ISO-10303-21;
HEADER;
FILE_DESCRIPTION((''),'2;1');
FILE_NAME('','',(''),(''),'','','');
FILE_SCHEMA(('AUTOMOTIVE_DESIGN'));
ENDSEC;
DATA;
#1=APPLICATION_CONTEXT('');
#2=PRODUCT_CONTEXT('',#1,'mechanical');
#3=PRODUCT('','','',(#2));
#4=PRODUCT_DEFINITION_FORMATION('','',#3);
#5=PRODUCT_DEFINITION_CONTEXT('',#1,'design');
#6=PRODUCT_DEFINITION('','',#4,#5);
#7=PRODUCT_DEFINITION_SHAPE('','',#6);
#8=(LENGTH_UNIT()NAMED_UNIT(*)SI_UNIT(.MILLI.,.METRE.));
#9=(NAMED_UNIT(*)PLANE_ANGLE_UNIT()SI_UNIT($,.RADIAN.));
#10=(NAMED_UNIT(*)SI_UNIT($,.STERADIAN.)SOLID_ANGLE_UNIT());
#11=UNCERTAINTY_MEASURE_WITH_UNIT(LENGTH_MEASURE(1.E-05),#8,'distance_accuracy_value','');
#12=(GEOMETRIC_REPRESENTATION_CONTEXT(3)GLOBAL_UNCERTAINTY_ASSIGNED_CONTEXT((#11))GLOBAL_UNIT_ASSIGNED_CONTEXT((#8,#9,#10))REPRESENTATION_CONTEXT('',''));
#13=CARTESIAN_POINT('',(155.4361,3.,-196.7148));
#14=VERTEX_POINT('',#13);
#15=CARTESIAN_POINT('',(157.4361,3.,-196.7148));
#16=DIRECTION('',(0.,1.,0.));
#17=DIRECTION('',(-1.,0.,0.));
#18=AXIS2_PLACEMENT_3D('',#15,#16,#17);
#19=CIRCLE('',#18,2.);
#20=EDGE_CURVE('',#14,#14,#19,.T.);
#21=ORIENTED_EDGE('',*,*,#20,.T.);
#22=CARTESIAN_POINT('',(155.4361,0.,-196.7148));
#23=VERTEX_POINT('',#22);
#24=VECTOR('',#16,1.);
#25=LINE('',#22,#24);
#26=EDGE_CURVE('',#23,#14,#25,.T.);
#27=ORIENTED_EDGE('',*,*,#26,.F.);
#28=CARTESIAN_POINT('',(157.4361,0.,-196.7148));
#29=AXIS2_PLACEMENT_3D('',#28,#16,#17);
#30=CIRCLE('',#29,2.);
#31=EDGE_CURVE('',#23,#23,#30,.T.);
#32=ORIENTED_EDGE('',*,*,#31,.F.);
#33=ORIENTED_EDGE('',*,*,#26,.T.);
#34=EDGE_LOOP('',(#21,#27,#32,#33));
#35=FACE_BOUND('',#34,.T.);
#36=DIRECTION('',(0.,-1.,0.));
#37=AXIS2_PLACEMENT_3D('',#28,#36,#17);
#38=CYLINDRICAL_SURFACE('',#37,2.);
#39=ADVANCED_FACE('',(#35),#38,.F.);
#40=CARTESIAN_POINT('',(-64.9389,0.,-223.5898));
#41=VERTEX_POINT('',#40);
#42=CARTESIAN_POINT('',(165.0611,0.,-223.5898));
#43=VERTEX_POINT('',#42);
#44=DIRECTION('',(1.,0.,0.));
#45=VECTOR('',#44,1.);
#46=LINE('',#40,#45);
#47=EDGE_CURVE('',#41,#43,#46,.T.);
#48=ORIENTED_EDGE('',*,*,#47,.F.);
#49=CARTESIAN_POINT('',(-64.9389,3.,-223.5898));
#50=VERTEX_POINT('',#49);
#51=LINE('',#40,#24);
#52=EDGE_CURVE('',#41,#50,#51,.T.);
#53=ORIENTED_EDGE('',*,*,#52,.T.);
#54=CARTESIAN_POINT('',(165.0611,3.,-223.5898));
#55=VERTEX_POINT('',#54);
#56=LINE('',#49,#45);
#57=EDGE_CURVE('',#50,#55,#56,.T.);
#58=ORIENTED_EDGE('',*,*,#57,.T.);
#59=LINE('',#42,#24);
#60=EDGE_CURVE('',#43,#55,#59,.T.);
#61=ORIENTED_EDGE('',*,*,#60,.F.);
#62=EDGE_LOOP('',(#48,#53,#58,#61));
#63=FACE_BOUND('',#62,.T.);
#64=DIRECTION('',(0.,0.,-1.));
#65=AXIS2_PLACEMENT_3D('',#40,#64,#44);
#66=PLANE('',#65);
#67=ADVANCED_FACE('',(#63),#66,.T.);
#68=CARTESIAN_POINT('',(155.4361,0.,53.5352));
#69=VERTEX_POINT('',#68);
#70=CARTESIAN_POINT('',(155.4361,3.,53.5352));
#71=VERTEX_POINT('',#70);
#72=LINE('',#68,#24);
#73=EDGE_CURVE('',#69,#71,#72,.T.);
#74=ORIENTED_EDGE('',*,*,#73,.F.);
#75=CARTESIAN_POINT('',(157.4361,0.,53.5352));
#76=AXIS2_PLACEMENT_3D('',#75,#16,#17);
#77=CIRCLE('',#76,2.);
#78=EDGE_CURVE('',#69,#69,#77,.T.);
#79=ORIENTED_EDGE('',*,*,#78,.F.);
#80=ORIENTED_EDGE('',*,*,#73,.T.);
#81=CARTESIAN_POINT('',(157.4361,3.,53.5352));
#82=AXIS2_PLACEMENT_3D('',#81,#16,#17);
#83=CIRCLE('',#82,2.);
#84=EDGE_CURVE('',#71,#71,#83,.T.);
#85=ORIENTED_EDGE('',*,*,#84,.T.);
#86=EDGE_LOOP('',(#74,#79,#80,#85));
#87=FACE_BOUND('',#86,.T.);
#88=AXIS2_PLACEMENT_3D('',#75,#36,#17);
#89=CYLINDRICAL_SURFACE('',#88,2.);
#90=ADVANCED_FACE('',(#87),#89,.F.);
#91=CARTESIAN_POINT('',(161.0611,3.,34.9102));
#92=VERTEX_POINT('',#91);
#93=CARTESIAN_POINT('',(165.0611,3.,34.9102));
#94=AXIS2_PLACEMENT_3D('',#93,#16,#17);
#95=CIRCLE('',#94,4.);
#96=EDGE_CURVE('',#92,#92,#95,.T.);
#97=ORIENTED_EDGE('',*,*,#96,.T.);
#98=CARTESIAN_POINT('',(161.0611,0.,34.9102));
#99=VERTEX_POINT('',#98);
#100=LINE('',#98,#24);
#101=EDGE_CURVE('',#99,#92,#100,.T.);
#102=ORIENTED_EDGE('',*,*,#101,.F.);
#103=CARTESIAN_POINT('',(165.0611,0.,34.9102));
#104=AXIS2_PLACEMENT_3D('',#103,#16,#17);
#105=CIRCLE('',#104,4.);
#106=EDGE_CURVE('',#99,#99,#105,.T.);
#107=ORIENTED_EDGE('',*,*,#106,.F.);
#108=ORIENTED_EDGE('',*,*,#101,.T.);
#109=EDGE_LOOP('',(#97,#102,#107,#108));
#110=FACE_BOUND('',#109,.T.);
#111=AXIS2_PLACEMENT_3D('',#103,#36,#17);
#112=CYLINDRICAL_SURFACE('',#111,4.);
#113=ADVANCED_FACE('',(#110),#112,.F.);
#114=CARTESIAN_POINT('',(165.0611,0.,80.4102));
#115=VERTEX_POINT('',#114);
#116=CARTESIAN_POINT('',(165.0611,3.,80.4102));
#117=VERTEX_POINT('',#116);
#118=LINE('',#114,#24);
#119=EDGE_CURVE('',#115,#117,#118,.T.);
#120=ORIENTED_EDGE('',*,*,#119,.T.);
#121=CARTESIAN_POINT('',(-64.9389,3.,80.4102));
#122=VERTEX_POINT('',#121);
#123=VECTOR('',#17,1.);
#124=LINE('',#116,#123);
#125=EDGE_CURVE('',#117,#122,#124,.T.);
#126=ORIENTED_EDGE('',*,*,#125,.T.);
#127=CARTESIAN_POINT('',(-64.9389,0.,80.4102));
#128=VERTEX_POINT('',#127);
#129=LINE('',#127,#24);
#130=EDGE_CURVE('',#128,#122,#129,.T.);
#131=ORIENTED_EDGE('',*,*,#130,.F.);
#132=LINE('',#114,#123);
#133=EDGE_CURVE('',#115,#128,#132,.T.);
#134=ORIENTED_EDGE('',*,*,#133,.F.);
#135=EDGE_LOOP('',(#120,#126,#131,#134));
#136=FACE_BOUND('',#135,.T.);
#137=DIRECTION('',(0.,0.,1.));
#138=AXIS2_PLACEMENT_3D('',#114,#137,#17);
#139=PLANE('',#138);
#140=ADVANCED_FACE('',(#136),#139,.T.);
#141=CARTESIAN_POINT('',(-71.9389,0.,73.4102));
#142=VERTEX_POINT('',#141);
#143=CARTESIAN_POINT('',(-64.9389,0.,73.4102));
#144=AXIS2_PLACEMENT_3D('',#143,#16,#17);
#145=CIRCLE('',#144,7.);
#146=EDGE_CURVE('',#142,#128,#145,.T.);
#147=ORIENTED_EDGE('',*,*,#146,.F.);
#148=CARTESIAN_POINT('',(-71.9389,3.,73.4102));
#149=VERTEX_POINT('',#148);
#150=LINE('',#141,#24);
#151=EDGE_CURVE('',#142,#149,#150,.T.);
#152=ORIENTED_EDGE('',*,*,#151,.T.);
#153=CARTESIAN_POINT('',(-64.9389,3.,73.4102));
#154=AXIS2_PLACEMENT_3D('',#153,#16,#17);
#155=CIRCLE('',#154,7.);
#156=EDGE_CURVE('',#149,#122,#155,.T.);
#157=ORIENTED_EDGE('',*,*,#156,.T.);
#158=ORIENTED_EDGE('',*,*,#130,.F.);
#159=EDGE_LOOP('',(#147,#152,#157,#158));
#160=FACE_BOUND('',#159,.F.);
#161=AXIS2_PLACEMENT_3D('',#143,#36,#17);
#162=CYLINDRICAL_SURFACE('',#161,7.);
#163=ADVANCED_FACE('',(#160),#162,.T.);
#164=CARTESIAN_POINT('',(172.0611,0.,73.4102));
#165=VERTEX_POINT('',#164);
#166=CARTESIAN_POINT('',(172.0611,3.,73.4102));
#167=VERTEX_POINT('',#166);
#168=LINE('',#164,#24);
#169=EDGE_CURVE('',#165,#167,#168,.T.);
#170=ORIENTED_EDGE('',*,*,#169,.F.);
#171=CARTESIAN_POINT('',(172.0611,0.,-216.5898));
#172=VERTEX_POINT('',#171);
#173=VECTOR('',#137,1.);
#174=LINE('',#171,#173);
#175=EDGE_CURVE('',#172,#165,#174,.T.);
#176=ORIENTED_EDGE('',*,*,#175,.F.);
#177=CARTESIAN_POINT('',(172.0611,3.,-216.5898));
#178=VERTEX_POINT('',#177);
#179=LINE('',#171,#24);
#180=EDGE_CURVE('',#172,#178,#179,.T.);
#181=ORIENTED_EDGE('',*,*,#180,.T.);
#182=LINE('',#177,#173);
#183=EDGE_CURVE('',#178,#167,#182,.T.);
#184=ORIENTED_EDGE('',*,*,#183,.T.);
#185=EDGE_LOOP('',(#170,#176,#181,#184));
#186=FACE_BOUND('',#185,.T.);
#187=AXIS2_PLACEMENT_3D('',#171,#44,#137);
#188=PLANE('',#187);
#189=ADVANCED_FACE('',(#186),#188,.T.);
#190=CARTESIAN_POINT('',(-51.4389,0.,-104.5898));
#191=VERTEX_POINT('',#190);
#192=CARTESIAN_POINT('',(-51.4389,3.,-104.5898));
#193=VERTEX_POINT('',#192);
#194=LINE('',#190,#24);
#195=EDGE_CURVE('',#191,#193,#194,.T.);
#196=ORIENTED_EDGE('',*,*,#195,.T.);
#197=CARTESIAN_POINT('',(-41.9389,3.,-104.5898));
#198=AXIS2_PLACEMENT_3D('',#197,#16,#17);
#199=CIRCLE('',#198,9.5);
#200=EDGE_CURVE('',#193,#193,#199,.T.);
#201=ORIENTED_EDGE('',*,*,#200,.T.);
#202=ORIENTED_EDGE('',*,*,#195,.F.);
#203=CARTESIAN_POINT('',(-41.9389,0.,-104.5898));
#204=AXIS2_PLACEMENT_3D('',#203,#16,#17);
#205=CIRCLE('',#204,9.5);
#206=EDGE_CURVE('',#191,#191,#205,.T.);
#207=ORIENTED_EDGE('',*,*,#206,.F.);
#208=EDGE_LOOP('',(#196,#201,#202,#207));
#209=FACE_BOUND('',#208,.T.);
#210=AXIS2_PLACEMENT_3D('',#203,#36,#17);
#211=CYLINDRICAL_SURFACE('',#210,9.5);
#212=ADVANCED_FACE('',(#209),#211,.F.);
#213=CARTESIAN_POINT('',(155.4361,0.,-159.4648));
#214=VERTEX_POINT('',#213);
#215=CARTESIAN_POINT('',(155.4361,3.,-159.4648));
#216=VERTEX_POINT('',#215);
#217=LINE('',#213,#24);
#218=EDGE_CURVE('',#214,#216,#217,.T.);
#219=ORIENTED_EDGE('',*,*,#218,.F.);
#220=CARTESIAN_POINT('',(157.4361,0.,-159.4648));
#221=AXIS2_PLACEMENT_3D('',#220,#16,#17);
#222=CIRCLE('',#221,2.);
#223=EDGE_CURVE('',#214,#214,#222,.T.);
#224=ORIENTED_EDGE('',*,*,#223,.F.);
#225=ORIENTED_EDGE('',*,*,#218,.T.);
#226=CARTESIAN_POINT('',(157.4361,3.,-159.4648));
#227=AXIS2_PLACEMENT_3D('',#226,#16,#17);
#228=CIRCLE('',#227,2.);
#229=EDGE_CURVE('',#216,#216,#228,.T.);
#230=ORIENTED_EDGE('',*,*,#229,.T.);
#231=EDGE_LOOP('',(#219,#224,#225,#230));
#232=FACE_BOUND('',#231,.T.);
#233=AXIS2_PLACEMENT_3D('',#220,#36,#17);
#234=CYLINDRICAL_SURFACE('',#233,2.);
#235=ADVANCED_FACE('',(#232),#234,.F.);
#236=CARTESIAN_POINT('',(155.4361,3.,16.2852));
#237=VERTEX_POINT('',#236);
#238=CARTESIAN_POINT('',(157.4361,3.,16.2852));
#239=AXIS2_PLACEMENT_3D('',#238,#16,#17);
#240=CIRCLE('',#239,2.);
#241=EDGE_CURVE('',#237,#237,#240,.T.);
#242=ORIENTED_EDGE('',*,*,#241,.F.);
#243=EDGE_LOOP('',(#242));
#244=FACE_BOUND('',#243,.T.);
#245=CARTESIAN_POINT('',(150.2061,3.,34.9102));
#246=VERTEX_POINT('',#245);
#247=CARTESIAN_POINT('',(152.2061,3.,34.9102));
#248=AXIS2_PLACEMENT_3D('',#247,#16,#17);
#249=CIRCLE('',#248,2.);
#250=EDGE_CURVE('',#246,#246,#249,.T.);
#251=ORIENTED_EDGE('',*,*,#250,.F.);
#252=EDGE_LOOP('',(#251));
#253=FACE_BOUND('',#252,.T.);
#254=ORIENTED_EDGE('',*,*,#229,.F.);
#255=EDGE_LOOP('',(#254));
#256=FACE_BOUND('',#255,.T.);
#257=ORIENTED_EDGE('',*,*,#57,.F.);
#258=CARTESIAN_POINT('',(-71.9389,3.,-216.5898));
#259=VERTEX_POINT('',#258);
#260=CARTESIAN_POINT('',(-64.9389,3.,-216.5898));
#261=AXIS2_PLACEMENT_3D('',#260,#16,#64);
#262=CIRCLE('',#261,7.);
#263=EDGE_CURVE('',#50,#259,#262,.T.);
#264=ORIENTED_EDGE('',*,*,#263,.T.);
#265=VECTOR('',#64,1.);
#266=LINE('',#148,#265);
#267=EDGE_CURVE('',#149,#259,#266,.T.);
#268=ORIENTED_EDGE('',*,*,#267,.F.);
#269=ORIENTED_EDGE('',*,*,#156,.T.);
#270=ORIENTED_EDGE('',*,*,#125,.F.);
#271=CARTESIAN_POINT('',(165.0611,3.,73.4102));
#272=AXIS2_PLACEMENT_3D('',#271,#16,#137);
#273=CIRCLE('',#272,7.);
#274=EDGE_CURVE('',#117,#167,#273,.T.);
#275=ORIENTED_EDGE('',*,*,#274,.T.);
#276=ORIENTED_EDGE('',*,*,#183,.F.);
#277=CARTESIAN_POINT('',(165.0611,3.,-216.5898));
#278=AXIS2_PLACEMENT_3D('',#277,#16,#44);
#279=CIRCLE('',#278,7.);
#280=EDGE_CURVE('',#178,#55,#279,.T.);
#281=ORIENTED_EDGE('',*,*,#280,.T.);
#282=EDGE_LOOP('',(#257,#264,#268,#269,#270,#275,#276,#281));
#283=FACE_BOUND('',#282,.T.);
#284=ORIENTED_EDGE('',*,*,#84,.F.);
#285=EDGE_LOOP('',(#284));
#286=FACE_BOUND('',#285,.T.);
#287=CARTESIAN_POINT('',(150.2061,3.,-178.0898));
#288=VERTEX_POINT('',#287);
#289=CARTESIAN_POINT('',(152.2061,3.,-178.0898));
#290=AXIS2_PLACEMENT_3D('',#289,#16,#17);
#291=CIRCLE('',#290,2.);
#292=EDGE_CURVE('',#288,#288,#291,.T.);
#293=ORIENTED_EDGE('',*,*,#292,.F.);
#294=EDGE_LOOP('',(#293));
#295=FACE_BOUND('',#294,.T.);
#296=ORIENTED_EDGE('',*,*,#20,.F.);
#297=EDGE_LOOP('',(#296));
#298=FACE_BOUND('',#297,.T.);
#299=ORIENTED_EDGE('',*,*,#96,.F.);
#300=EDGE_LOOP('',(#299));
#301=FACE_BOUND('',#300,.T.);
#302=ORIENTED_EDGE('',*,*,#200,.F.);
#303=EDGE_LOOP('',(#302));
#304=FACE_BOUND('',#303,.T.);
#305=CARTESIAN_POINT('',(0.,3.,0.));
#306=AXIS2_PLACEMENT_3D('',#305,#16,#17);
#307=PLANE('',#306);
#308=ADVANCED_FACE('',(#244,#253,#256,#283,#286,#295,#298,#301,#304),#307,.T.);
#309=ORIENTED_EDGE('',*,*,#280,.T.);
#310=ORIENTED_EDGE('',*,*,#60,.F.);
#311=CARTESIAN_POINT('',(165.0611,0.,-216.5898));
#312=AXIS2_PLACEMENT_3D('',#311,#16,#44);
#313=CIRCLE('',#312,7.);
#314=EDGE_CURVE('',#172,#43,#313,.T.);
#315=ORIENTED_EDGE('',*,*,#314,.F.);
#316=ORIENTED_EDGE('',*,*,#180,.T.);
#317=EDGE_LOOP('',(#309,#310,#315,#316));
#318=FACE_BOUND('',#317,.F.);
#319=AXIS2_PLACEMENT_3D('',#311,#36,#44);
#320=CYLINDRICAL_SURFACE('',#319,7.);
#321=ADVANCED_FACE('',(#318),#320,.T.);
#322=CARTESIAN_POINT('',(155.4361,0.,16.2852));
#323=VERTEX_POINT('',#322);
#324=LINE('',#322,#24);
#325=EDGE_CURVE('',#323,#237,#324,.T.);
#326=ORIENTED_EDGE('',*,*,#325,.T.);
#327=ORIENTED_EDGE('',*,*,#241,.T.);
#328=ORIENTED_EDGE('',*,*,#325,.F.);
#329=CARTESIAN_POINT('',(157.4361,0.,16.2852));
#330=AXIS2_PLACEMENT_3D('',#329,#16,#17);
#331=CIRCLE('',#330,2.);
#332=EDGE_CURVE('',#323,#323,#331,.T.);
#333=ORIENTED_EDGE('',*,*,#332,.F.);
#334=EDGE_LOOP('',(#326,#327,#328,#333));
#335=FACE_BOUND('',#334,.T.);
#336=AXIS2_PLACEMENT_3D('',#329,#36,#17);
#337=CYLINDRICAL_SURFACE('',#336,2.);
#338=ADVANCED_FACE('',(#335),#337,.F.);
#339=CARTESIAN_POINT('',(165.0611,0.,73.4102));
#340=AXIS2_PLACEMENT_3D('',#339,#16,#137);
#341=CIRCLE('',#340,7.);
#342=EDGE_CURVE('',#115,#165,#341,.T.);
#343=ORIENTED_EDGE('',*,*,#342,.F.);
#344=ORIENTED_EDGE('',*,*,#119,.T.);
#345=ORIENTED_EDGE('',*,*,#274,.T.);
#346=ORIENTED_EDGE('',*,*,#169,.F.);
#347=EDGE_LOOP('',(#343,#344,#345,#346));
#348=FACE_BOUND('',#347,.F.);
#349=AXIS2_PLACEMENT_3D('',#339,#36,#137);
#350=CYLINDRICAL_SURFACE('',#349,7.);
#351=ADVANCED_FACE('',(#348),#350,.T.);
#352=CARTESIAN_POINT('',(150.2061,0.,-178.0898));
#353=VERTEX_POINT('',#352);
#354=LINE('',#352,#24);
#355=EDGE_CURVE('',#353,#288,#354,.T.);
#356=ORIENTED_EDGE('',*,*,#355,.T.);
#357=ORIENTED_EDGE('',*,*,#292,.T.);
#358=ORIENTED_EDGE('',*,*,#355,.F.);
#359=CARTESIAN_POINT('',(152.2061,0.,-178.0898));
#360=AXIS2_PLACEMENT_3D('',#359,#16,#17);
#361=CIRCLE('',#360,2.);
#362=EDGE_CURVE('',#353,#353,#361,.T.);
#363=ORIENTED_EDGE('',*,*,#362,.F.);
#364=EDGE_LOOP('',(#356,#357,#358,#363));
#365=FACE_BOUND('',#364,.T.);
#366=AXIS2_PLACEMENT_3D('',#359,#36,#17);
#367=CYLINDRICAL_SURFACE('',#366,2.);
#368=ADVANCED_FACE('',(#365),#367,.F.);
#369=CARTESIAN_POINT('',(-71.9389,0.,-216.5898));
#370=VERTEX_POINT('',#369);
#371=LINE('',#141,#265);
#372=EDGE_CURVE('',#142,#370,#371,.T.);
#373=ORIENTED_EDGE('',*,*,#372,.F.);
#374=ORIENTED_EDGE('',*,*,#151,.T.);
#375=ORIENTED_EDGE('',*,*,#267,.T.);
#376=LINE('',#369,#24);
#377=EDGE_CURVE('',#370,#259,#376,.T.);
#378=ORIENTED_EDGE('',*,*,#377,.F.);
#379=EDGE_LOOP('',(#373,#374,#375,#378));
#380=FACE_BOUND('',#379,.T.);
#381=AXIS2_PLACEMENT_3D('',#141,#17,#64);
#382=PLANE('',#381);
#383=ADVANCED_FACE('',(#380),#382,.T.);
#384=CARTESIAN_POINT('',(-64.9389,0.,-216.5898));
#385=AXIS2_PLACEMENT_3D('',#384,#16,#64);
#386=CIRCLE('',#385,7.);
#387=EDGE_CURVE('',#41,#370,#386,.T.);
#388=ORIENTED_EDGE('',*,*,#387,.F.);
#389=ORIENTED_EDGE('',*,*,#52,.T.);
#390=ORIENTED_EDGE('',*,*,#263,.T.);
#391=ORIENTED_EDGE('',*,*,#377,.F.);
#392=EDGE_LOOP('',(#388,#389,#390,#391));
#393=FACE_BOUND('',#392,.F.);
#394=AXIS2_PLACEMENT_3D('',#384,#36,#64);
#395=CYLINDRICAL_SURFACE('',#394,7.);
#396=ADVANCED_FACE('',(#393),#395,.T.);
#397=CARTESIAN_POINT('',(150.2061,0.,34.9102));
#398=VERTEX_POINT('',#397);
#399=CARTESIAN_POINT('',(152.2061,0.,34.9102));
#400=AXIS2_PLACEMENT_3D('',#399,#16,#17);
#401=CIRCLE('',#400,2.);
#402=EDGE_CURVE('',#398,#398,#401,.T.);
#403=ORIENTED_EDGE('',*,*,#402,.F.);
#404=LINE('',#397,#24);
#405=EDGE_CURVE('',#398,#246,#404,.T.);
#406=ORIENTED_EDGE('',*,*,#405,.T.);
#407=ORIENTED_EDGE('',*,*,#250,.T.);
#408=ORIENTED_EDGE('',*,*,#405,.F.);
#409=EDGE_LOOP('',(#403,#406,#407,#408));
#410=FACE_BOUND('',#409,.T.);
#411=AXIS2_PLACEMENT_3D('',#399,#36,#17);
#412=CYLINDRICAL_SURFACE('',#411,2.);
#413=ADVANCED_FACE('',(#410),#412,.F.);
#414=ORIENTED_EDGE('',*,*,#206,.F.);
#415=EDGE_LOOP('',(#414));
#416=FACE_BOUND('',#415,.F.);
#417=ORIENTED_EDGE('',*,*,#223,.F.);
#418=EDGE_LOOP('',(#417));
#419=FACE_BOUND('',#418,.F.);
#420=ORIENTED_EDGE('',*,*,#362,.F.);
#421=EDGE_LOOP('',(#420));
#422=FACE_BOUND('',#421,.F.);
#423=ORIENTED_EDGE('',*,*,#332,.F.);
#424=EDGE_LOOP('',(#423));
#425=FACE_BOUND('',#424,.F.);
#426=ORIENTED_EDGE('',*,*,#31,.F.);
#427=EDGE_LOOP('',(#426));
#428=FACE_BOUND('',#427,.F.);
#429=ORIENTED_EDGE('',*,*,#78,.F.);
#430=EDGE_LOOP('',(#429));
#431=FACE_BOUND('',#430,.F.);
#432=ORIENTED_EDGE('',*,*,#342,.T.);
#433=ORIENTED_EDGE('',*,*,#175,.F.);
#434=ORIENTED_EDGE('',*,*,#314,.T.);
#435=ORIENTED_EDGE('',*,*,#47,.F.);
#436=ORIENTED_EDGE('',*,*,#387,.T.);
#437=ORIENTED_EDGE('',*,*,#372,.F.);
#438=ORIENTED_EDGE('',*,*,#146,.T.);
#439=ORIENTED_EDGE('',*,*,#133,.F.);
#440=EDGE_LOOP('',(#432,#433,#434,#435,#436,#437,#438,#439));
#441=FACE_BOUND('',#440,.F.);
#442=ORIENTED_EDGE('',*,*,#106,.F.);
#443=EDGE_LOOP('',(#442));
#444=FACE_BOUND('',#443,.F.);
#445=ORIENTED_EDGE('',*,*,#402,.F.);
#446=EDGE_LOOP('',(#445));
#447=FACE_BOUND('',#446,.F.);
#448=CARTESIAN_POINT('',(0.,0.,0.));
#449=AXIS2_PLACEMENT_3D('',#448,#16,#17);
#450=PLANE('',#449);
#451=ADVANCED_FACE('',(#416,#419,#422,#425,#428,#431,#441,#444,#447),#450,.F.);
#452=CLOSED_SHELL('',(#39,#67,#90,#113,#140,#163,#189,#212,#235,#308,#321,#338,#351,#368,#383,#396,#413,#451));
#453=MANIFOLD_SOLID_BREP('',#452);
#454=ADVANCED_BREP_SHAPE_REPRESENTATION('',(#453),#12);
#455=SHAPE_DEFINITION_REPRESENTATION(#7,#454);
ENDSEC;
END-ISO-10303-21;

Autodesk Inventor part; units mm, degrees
ref_plane "YZ Plane" through (0, 0, 0) normal (1, 0, 0) x (0, 1, 0)
ref_plane "XZ Plane" through (0, 0, 0) normal (0, 1, 0) x (-1, 0, 0)
ref_plane "XY Plane" through (0, 0, 0) normal (0, 0, 1) x (1, 0, 0)
sketch "Boceto1" plane through (0, 0, 0) normal (0, 1, 0) x (-1, 0, 0)
  line L0 (64.9389, -223.5898) -> (-165.0611, -223.5898)
  line L1 (-172.0611, -216.5898) -> (-172.0611, 73.4102)
  line L2 (-165.0611, 80.4102) -> (64.9389, 80.4102)
  line L3 (71.9389, 73.4102) -> (71.9389, -216.5898)
  circle A0 centre (-157.4361, -196.7148) radius 2
  circle A1 centre (-157.4361, -159.4648) radius 2
  circle A2 centre (-152.2061, -178.0898) radius 2
  circle A3 centre (-157.4361, 53.5352) radius 2
  circle A4 centre (-157.4361, 16.2852) radius 2
  circle A5 centre (-152.2061, 34.9102) radius 2
  circle A6 centre (-165.0611, 34.9102) radius 4
  circle A7 centre (41.9389, -104.5898) radius 9.5
  arc A8 (64.9389, -223.5898) -> (71.9389, -216.5898) centre (64.9389, -216.5898) ccw
  arc A9 (-172.0611, -216.5898) -> (-165.0611, -223.5898) centre (-165.0611, -216.5898) ccw
  arc A10 (-165.0611, 80.4102) -> (-172.0611, 73.4102) centre (-165.0611, 73.4102) ccw
  arc A11 (71.9389, 73.4102) -> (64.9389, 80.4102) centre (64.9389, 73.4102) ccw
  point P0 (0, 0)
  point P1 (63.9389, -223.5898)
  point P2 (71.9389, -215.5898)
  point P3 (-172.0611, -215.5898)
  point P4 (-164.0611, -223.5898)
  point P5 (-172.0611, 72.4102)
  point P6 (-164.0611, 80.4102)
  point P7 (63.9389, 80.4102)
  point P8 (71.9389, 72.4102)
  dimension "d10" = 4
  dimension "d11" = 14.625
  dimension "d12" = 26.875
  dimension "d13" = 4
  dimension "d14" = 37.25
  dimension "d15" = 14.625
  dimension "d16" = 4
  dimension "d17" = 18.625
  dimension "d18" = 19.855
  dimension "d19" = 8
  dimension "d20" = 7
  dimension "d21" = 19
  dimension "d22" = 30
  dimension "d23" = 244
  dimension "d24" = 304
  dimension "d25" = 7
  dimension "d26" = 7
  dimension "d27" = 7
  dimension "d28" = 185
extrude "Extrusión1" add sketch "Boceto1" along normal blind 3
properties part number "Puerta Lateral Derecha"
